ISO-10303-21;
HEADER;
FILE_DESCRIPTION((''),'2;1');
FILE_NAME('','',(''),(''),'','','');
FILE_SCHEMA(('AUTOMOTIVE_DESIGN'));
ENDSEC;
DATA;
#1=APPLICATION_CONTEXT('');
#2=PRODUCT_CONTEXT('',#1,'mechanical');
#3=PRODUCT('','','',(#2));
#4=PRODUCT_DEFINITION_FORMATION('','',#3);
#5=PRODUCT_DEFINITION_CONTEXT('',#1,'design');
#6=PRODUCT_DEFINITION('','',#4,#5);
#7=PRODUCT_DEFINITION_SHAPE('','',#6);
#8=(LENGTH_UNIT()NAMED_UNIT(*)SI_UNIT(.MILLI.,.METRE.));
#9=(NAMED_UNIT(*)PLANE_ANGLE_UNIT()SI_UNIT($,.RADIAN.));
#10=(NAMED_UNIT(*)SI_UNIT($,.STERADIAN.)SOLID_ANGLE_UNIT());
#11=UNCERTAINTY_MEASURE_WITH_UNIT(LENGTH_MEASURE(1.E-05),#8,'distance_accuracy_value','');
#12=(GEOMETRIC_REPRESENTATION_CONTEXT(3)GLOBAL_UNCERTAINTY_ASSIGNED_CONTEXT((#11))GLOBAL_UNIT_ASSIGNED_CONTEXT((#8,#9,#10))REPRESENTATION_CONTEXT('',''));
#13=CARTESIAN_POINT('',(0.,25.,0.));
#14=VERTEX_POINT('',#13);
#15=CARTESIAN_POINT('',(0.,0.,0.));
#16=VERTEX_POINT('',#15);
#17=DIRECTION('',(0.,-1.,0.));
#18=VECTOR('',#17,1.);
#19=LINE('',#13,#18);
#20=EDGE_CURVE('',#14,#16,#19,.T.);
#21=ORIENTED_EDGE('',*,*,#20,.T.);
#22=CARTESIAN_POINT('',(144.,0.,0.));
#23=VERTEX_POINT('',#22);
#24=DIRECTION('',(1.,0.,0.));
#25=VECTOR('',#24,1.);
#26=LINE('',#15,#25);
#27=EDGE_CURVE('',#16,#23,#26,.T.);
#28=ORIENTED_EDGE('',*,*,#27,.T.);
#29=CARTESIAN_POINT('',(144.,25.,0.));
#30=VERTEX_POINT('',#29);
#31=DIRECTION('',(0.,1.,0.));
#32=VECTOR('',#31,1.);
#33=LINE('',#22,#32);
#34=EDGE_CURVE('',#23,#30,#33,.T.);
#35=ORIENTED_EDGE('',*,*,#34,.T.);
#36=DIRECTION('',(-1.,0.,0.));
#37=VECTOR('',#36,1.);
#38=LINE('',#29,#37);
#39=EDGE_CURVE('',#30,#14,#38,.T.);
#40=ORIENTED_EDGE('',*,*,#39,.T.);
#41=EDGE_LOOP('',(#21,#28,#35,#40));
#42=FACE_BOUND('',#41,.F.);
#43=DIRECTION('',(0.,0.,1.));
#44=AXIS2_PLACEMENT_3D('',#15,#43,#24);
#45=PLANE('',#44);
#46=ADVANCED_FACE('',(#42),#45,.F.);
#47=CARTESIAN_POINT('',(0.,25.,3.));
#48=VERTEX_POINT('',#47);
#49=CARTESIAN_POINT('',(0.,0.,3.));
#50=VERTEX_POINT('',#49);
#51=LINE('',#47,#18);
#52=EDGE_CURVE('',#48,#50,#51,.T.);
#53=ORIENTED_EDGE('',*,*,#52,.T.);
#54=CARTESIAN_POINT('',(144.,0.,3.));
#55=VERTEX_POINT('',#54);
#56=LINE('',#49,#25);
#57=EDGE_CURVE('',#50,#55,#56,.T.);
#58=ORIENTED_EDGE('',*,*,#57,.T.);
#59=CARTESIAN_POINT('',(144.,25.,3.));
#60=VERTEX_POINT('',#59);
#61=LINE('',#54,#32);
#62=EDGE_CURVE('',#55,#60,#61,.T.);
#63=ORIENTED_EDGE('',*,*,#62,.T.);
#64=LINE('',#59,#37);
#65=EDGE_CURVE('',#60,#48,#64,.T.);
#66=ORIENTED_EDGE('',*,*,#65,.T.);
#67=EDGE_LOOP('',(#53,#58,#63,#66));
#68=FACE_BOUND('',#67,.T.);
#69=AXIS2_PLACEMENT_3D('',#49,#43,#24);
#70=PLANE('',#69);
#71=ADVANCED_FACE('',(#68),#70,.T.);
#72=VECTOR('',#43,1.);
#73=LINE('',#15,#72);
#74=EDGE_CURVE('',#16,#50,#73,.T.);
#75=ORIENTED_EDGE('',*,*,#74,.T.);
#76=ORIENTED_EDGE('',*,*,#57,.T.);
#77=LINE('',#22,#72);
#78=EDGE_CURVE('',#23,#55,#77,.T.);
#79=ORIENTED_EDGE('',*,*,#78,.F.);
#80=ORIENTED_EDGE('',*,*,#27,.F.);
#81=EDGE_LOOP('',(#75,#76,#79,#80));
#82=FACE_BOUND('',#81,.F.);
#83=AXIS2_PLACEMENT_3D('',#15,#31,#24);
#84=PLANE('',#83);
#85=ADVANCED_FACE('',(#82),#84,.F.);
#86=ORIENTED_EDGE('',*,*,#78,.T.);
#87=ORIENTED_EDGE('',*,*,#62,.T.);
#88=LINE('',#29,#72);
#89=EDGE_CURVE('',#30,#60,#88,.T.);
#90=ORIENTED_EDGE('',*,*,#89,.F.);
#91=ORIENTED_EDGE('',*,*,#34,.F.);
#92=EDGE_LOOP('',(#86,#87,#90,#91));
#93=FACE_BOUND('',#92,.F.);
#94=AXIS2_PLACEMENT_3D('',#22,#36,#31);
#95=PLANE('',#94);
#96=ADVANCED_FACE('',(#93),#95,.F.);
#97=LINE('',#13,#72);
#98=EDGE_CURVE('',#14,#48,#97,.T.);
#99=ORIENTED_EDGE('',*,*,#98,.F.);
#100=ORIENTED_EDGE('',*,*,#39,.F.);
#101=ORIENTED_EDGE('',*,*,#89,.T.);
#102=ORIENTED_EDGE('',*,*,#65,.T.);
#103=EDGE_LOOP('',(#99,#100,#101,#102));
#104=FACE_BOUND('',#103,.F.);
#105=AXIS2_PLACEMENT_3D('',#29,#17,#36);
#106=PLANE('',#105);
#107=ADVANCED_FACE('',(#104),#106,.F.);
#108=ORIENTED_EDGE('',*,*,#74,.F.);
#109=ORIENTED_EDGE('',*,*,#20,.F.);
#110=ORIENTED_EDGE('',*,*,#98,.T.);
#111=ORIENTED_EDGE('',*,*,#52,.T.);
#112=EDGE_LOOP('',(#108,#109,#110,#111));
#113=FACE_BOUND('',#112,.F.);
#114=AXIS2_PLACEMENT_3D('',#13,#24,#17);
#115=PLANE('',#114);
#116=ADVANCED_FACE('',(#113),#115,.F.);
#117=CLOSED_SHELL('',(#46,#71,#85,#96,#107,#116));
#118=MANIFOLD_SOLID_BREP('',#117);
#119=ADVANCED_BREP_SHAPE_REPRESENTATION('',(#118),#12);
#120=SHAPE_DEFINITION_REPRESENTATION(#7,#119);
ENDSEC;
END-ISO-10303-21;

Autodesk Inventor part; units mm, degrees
ref_plane "YZ Plane" through (0, 0, 0) normal (1, 0, 0) x (0, 1, 0)
ref_plane "XZ Plane" through (0, 0, 0) normal (0, 1, 0) x (-1, 0, 0)
ref_plane "XY Plane" through (0, 0, 0) normal (0, 0, 1) x (1, 0, 0)
sketch "Sketch1" plane through (0, 0, 0) normal (0, 0, 1) x (1, 0, 0)
  line L0 (0, 0) -> (144, 0)
  line L1 (144, 0) -> (144, 25)
  line L2 (144, 25) -> (0, 25)
  line L3 (0, 25) -> (0, 0)
  dimension "d0" = 144
  dimension "d1" = 25
extrude "Extrusion1" add sketch "Sketch1" along normal blind 3
properties part number "slot big"
